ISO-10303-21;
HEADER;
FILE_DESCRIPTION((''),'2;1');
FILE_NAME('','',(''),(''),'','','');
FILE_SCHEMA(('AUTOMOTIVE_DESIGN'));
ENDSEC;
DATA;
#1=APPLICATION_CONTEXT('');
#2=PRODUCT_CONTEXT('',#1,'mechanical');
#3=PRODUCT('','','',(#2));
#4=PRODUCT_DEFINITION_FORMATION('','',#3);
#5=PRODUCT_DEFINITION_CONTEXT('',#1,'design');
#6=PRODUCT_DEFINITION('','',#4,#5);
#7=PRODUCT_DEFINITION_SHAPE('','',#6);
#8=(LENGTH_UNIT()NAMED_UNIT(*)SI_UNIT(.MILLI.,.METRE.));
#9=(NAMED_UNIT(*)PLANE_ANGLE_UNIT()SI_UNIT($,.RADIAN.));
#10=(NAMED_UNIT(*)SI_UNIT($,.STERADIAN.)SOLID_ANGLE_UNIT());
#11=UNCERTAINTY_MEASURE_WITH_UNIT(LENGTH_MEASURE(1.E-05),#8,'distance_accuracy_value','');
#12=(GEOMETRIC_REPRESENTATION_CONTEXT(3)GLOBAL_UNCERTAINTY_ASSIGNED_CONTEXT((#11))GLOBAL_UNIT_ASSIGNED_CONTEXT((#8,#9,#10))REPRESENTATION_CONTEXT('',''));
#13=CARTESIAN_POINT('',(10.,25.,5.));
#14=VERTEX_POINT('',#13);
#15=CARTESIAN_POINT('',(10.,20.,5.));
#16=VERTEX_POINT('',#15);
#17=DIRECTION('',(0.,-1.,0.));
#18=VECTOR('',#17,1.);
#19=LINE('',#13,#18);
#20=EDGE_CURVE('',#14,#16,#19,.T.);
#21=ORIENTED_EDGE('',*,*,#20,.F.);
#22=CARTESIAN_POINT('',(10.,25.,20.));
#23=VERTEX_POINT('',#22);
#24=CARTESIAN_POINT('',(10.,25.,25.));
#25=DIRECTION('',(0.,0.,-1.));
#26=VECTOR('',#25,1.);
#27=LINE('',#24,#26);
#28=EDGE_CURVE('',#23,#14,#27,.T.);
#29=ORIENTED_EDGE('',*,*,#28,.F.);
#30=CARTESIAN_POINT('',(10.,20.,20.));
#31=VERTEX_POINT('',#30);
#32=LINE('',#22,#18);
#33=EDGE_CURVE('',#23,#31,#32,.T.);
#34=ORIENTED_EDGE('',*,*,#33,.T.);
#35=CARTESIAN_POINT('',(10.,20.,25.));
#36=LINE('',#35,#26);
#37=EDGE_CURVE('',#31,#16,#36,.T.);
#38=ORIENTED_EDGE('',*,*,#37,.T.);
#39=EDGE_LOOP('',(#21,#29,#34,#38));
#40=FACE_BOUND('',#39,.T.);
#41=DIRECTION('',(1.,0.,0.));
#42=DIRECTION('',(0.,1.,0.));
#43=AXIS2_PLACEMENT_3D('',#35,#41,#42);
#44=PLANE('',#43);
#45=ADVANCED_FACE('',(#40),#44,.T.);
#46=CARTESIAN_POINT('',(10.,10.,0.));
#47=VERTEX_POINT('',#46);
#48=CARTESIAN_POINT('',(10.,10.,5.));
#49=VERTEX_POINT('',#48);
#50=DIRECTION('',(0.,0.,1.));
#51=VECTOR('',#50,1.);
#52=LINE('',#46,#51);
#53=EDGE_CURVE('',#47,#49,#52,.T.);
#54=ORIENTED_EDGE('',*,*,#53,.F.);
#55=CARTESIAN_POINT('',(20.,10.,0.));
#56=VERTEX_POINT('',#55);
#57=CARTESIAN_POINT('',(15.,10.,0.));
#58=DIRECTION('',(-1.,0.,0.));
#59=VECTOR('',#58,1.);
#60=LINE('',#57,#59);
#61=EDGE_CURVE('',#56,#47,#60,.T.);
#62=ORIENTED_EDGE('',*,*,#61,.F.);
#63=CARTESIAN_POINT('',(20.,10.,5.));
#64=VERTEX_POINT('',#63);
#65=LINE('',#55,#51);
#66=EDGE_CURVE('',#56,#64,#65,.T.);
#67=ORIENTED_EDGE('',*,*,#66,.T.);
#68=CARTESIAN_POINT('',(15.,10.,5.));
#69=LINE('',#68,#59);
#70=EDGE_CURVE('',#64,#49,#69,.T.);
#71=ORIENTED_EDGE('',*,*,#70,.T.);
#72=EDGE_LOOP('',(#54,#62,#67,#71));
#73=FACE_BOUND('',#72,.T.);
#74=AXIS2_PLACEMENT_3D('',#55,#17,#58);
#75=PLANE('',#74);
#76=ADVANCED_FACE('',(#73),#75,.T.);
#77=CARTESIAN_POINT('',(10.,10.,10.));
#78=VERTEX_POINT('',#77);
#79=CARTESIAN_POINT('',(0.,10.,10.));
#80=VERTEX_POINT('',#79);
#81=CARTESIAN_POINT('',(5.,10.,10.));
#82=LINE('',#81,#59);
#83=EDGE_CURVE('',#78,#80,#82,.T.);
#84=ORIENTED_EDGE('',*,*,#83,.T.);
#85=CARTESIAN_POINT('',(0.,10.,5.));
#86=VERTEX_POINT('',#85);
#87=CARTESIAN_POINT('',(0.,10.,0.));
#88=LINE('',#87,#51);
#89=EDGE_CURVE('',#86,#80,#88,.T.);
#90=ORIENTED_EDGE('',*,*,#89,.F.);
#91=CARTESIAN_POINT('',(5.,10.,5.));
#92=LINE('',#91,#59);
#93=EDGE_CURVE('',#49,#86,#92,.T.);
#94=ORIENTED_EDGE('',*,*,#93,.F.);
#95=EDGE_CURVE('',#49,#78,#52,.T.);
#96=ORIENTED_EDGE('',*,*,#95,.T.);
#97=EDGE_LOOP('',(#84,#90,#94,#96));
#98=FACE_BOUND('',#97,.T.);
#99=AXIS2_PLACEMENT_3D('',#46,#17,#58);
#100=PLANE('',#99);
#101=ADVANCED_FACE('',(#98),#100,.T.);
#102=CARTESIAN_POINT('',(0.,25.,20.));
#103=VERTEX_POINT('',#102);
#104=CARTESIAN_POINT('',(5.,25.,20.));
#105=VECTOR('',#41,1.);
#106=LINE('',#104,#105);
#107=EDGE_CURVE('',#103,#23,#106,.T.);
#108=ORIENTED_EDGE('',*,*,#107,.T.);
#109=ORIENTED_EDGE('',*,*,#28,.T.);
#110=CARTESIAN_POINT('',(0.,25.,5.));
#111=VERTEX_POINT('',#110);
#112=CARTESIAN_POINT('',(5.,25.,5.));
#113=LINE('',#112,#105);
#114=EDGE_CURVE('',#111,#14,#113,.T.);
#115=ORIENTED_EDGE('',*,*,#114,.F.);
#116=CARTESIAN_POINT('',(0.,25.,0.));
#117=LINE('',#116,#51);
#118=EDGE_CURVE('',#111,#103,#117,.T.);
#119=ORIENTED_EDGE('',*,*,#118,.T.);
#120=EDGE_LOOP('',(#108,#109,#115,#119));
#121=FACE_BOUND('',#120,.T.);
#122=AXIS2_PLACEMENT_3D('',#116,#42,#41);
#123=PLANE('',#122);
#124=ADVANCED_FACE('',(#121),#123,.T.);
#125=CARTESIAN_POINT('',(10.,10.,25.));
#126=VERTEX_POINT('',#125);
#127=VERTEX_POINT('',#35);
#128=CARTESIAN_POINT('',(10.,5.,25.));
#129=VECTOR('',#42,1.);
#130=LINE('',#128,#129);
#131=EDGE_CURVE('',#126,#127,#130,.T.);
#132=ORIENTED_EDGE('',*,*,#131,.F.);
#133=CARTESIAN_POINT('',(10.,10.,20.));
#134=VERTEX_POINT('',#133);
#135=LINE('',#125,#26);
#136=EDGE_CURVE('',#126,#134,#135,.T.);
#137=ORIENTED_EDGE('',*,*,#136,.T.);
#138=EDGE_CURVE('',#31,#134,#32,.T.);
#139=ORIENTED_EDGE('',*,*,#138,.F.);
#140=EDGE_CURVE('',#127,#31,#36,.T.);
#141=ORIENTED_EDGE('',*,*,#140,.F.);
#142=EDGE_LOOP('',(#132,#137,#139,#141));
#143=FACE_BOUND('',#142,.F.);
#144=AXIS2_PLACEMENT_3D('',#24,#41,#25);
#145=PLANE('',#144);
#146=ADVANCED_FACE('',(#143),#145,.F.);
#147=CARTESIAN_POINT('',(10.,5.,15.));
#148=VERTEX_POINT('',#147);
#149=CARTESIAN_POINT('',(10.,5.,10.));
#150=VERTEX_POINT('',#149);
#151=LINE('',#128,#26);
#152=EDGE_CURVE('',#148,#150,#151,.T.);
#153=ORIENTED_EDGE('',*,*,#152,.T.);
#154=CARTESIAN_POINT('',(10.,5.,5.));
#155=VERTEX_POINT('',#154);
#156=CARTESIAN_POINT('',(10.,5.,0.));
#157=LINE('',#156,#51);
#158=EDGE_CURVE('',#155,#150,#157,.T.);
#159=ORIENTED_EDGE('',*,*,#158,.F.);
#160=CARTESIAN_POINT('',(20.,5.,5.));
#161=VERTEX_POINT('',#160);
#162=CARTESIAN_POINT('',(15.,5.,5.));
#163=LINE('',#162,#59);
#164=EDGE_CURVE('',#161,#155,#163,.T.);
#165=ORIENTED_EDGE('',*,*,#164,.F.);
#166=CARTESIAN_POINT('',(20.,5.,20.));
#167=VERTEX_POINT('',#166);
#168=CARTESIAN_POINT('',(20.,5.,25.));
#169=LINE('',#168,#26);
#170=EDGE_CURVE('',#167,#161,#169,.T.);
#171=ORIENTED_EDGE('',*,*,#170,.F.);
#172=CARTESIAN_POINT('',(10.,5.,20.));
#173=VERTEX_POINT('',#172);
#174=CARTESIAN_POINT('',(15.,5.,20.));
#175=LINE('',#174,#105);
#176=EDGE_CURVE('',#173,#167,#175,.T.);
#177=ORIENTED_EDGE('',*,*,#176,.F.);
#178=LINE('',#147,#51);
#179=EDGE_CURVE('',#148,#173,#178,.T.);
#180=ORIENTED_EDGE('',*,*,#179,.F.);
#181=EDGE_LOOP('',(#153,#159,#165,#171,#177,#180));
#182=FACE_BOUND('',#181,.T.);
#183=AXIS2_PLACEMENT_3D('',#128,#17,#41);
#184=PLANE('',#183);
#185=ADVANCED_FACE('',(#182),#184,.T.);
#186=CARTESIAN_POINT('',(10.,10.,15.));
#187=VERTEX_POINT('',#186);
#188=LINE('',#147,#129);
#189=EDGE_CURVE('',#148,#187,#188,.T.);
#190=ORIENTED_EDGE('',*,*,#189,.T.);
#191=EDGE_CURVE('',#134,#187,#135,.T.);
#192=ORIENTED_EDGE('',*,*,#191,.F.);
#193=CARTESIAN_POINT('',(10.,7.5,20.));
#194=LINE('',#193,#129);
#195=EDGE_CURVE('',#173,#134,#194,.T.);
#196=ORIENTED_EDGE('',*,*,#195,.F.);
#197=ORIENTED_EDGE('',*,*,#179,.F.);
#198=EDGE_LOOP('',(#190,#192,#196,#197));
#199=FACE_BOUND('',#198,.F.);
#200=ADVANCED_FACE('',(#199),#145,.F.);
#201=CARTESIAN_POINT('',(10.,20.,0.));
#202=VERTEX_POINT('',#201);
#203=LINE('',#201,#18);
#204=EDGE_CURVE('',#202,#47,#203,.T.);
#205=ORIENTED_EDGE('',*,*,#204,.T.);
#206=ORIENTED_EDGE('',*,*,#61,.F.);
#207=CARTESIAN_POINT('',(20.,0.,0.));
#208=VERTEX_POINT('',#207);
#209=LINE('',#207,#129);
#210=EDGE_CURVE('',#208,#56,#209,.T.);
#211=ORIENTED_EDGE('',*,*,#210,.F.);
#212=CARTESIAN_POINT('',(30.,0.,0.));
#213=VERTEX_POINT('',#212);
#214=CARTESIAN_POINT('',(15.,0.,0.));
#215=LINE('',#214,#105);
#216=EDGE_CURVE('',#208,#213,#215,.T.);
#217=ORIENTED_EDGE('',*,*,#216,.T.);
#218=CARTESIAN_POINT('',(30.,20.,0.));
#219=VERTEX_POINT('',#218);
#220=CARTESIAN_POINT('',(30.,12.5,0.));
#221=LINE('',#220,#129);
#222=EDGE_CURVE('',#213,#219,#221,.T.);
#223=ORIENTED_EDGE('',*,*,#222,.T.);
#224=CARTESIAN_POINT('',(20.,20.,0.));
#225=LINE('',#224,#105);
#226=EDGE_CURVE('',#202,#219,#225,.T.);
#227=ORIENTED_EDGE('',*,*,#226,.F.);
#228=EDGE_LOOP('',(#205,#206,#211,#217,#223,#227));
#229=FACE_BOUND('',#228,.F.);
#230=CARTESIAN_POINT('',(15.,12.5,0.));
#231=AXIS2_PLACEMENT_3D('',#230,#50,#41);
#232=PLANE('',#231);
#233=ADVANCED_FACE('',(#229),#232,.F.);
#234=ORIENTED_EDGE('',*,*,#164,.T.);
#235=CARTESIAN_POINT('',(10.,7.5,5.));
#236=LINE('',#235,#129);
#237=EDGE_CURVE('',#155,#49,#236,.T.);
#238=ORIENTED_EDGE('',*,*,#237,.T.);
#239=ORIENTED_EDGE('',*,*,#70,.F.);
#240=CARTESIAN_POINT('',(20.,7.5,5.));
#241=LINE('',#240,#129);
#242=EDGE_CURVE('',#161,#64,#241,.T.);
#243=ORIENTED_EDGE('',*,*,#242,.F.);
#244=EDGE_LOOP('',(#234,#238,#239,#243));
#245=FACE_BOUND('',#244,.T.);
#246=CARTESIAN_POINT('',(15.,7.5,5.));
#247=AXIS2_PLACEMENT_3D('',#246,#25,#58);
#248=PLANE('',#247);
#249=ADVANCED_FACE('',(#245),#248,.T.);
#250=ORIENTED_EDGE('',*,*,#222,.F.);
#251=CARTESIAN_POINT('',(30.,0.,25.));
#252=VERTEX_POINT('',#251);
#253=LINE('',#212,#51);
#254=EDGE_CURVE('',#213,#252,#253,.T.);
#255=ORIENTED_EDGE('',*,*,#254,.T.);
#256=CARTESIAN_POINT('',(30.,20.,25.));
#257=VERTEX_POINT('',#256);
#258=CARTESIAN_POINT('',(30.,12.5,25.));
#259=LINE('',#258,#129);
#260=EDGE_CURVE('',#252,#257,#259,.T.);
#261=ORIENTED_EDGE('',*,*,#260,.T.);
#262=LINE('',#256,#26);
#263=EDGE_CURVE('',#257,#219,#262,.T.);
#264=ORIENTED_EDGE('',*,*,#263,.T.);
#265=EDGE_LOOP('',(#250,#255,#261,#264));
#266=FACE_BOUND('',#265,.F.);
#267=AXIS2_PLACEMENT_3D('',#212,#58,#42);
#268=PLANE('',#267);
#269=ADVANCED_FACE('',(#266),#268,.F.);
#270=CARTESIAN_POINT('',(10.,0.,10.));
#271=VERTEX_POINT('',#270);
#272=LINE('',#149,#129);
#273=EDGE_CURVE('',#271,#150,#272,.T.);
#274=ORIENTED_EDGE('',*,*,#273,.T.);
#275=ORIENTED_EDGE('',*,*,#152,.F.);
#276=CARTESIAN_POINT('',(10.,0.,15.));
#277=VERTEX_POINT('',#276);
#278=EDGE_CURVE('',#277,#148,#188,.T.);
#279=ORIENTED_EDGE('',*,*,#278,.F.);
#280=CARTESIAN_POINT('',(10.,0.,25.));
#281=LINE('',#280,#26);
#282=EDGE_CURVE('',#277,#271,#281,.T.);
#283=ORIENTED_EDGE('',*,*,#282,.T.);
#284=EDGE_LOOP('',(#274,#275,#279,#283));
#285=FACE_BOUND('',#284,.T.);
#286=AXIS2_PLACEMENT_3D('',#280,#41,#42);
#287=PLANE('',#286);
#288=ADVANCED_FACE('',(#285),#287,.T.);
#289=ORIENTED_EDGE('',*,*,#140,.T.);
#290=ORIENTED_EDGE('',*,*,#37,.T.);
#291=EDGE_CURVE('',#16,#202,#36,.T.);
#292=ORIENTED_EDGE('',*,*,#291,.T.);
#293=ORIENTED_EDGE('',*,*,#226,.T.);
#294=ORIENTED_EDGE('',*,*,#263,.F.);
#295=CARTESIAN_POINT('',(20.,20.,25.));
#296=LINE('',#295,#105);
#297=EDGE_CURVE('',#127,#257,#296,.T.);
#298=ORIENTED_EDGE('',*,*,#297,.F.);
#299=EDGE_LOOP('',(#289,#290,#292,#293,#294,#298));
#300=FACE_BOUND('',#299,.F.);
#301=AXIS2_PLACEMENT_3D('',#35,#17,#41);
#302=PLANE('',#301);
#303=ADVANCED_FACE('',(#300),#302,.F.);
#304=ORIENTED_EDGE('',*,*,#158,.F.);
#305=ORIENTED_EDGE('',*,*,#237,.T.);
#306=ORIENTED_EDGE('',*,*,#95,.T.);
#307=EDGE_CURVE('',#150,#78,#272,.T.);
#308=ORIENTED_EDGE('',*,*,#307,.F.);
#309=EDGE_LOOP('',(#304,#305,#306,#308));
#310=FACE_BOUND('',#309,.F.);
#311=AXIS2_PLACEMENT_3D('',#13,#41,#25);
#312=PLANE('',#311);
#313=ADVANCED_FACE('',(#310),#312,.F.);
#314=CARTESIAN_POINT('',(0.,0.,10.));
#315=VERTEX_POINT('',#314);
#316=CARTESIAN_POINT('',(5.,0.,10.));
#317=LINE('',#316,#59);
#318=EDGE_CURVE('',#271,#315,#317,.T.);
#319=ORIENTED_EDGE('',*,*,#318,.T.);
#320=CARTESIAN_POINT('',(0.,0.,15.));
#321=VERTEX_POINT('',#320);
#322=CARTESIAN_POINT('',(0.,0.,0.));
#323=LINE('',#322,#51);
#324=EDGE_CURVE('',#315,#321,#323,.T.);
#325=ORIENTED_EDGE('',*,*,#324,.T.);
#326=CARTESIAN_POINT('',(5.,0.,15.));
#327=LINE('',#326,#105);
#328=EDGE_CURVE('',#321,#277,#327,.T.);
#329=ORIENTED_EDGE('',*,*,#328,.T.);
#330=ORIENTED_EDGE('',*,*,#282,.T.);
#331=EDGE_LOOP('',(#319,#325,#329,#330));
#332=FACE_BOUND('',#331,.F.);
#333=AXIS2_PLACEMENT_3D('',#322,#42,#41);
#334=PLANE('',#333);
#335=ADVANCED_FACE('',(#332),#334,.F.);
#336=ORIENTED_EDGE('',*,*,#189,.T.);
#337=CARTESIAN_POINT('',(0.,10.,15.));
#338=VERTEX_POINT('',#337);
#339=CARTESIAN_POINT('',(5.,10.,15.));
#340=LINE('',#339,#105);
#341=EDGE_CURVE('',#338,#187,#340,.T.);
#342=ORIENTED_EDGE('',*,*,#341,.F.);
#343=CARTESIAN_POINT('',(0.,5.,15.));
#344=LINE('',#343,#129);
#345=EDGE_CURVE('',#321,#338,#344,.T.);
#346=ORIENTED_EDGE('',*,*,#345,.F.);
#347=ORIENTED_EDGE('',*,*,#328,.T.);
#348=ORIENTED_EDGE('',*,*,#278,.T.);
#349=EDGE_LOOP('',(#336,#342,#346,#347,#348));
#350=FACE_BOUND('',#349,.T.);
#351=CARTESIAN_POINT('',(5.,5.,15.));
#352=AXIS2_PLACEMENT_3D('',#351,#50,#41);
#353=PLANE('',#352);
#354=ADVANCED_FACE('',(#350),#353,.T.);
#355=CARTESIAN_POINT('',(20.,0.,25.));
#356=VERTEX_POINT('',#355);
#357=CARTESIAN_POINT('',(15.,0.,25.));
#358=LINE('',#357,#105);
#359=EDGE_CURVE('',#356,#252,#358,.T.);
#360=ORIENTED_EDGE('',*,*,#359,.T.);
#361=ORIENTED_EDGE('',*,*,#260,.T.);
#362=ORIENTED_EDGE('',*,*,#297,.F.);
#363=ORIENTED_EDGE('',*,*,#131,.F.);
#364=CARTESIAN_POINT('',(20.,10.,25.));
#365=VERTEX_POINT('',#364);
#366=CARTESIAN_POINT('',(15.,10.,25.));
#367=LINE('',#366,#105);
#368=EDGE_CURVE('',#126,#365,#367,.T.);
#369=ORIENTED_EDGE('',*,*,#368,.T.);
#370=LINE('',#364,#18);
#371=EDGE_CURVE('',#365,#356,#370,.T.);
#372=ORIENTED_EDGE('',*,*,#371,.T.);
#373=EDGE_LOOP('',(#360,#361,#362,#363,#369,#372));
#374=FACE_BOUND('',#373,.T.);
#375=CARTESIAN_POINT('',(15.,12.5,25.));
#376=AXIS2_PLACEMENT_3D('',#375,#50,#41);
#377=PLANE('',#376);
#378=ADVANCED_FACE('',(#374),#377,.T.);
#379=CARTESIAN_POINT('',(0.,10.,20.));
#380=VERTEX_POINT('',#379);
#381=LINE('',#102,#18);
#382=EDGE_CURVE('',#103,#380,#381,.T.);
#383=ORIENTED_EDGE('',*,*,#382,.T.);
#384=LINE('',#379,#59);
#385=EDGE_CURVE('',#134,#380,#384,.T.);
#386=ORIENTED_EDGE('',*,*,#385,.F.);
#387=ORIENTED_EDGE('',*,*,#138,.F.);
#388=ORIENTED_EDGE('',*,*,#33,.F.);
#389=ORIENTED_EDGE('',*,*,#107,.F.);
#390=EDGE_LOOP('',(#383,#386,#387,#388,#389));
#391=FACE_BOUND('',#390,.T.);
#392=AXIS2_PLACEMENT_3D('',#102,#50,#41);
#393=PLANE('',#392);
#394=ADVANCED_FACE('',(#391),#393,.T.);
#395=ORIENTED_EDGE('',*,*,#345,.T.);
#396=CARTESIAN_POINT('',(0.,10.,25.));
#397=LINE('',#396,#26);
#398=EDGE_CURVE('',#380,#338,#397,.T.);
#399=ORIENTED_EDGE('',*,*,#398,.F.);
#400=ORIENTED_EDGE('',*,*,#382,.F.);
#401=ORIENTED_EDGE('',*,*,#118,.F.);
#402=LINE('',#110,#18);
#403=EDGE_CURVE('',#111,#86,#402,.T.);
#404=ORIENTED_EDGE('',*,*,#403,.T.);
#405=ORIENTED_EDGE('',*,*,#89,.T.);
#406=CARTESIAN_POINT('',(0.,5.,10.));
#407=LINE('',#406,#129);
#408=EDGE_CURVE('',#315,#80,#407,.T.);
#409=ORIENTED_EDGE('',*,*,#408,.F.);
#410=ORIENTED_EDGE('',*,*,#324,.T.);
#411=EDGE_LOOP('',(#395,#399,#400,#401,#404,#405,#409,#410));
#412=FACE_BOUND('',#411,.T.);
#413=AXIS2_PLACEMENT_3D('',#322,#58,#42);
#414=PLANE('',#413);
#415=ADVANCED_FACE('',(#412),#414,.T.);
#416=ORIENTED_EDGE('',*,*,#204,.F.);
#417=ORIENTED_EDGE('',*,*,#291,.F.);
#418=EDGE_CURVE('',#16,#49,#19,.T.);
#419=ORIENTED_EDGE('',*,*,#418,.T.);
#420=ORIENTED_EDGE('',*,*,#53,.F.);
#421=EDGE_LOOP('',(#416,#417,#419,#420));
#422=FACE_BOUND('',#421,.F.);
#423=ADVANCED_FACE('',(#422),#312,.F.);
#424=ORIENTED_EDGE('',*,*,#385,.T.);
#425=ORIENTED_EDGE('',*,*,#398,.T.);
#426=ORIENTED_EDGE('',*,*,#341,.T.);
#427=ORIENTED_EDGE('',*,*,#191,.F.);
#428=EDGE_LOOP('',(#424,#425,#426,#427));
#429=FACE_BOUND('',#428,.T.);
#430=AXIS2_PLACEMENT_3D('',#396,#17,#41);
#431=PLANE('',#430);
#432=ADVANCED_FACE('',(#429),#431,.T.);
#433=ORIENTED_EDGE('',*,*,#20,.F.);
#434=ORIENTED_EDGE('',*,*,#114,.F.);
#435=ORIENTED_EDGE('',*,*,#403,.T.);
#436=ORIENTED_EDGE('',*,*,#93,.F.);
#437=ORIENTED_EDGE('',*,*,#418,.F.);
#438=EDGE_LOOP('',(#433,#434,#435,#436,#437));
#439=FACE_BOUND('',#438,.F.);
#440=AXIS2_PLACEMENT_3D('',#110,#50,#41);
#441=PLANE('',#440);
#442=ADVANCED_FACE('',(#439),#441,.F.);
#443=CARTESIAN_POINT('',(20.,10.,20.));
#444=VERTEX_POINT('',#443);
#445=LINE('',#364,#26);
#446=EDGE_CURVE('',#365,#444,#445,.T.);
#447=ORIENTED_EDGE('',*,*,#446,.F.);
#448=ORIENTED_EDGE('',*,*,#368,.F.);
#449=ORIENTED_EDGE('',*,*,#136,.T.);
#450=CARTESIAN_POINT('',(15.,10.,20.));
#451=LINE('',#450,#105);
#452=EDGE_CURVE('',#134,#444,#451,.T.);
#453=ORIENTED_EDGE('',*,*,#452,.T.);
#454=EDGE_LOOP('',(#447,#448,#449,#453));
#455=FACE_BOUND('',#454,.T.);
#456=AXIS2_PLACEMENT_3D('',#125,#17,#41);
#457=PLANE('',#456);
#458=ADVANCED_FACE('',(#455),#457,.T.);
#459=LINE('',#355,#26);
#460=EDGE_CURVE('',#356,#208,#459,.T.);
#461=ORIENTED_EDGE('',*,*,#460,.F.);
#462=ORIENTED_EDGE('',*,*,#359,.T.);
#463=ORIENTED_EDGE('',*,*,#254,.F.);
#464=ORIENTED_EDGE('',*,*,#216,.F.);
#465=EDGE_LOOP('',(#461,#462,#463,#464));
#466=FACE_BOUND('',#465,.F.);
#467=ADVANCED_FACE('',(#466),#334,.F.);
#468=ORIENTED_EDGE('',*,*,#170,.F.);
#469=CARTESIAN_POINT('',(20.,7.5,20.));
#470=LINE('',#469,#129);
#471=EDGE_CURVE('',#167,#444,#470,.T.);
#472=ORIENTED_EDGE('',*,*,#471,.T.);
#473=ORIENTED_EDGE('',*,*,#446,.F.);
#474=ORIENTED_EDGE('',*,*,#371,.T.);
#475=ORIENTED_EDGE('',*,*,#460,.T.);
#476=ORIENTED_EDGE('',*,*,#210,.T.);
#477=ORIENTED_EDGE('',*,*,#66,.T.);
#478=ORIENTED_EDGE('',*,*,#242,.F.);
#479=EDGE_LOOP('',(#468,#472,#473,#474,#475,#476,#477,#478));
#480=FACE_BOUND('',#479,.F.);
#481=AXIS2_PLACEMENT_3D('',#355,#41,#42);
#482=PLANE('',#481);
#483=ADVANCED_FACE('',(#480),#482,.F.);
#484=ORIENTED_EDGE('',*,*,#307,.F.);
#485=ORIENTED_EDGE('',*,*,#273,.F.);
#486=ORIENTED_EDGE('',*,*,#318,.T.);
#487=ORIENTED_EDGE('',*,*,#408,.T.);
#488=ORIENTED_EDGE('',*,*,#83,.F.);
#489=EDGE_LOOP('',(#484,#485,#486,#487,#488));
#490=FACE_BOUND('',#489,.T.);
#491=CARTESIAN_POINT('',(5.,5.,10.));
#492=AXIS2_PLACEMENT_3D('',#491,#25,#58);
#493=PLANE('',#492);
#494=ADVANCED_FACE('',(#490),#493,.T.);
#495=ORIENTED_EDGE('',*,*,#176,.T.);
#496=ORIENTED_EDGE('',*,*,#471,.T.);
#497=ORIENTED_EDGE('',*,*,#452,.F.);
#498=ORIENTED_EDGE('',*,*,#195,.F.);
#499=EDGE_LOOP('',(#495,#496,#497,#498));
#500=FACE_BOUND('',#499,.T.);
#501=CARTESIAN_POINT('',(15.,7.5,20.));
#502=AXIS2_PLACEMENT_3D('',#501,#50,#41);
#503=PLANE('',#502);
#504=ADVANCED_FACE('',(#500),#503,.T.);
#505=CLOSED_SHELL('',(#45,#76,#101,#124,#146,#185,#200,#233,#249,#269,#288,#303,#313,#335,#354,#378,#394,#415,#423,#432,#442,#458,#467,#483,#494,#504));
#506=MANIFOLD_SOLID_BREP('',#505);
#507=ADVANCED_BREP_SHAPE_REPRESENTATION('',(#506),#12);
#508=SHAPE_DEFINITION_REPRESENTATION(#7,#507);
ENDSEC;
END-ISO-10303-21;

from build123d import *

# Parameters (mm, degrees)
SKETCH1_W           = 30
SKETCH1_H           = 25
BOSS_EXTRUDE1_DEPTH = 25
SKETCH2_W           = 10
SKETCH2_H           = 10
CUT_EXTRUDE3_DEPTH  = 10
SKETCH4_W           = 10
SKETCH4_H           = 5
CUT_EXTRUDE4_DEPTH  = 25
SKETCH5_W           = 10
SKETCH5_H           = 10
CUT_EXTRUDE5_DEPTH  = 10
SKETCH6_W           = 20
SKETCH6_H           = 5
CUT_EXTRUDE6_DEPTH  = 25
SKETCH7_W           = 10
SKETCH7_H           = 5
CUT_EXTRUDE7_DEPTH  = 25
SKETCH8_W           = 10
SKETCH8_H           = 5
CUT_EXTRUDE8_DEPTH  = 5
SKETCH9_W           = 10
SKETCH9_H           = 5
CUT_EXTRUDE9_DEPTH  = 5


with BuildPart() as part:
    # Sketch1 → Boss-Extrude1 (new body)
    with BuildSketch(Plane.XY):
        with Locations((15, 12.5)):
            Rectangle(SKETCH1_W, SKETCH1_H)
    extrude(amount=BOSS_EXTRUDE1_DEPTH)

    # Sketch2 → Cut-Extrude3 (cut)
    with BuildSketch(Plane.XY.offset(25)):
        with Locations((5, 5)):
            Rectangle(SKETCH2_W, SKETCH2_H)
    extrude(amount=-CUT_EXTRUDE3_DEPTH, mode=Mode.SUBTRACT)

    # Sketch4 → Cut-Extrude4 (cut)
    with BuildSketch(Plane.XY.offset(25)):
        with Locations((15, 2.5)):
            Rectangle(SKETCH4_W, SKETCH4_H)
    extrude(amount=-CUT_EXTRUDE4_DEPTH, mode=Mode.SUBTRACT)

    # Sketch5 → Cut-Extrude5 (cut)
    with BuildSketch(Plane(origin=(0, 0, 0), x_dir=(-1, 0, 0), z_dir=(0, 0, -1))):
        with Locations((-5, 5)):
            Rectangle(SKETCH5_W, SKETCH5_H)
    extrude(amount=-CUT_EXTRUDE5_DEPTH, mode=Mode.SUBTRACT)

    # Sketch6 → Cut-Extrude6 (cut)
    with BuildSketch(Plane.XY.offset(25)):
        with Locations((20, 22.5)):
            Rectangle(SKETCH6_W, SKETCH6_H)
    extrude(amount=-CUT_EXTRUDE6_DEPTH, mode=Mode.SUBTRACT)

    # Sketch7 → Cut-Extrude7 (cut)
    with BuildSketch(Plane(origin=(0, 25, 0), x_dir=(1, 0, 0), z_dir=(0, 1, 0))):
        with Locations((5, -2.5)):
            Rectangle(SKETCH7_W, SKETCH7_H)
        with Locations((5, -22.5)):
            Rectangle(SKETCH7_W, SKETCH7_H)
    extrude(amount=-CUT_EXTRUDE7_DEPTH, mode=Mode.SUBTRACT)

    # Sketch8 → Cut-Extrude8 (cut)
    with BuildSketch(Plane.XY.offset(25)):
        with Locations((15, 7.5)):
            Rectangle(SKETCH8_W, SKETCH8_H)
    extrude(amount=-CUT_EXTRUDE8_DEPTH, mode=Mode.SUBTRACT)

    # Sketch9 → Cut-Extrude9 (cut)
    with BuildSketch(Plane(origin=(0, 0, 0), x_dir=(-1, 0, 0), z_dir=(0, 0, -1))):
        with Locations((-15, 7.5)):
            Rectangle(SKETCH9_W, SKETCH9_H)
    extrude(amount=-CUT_EXTRUDE9_DEPTH, mode=Mode.SUBTRACT)


solid = part.part
